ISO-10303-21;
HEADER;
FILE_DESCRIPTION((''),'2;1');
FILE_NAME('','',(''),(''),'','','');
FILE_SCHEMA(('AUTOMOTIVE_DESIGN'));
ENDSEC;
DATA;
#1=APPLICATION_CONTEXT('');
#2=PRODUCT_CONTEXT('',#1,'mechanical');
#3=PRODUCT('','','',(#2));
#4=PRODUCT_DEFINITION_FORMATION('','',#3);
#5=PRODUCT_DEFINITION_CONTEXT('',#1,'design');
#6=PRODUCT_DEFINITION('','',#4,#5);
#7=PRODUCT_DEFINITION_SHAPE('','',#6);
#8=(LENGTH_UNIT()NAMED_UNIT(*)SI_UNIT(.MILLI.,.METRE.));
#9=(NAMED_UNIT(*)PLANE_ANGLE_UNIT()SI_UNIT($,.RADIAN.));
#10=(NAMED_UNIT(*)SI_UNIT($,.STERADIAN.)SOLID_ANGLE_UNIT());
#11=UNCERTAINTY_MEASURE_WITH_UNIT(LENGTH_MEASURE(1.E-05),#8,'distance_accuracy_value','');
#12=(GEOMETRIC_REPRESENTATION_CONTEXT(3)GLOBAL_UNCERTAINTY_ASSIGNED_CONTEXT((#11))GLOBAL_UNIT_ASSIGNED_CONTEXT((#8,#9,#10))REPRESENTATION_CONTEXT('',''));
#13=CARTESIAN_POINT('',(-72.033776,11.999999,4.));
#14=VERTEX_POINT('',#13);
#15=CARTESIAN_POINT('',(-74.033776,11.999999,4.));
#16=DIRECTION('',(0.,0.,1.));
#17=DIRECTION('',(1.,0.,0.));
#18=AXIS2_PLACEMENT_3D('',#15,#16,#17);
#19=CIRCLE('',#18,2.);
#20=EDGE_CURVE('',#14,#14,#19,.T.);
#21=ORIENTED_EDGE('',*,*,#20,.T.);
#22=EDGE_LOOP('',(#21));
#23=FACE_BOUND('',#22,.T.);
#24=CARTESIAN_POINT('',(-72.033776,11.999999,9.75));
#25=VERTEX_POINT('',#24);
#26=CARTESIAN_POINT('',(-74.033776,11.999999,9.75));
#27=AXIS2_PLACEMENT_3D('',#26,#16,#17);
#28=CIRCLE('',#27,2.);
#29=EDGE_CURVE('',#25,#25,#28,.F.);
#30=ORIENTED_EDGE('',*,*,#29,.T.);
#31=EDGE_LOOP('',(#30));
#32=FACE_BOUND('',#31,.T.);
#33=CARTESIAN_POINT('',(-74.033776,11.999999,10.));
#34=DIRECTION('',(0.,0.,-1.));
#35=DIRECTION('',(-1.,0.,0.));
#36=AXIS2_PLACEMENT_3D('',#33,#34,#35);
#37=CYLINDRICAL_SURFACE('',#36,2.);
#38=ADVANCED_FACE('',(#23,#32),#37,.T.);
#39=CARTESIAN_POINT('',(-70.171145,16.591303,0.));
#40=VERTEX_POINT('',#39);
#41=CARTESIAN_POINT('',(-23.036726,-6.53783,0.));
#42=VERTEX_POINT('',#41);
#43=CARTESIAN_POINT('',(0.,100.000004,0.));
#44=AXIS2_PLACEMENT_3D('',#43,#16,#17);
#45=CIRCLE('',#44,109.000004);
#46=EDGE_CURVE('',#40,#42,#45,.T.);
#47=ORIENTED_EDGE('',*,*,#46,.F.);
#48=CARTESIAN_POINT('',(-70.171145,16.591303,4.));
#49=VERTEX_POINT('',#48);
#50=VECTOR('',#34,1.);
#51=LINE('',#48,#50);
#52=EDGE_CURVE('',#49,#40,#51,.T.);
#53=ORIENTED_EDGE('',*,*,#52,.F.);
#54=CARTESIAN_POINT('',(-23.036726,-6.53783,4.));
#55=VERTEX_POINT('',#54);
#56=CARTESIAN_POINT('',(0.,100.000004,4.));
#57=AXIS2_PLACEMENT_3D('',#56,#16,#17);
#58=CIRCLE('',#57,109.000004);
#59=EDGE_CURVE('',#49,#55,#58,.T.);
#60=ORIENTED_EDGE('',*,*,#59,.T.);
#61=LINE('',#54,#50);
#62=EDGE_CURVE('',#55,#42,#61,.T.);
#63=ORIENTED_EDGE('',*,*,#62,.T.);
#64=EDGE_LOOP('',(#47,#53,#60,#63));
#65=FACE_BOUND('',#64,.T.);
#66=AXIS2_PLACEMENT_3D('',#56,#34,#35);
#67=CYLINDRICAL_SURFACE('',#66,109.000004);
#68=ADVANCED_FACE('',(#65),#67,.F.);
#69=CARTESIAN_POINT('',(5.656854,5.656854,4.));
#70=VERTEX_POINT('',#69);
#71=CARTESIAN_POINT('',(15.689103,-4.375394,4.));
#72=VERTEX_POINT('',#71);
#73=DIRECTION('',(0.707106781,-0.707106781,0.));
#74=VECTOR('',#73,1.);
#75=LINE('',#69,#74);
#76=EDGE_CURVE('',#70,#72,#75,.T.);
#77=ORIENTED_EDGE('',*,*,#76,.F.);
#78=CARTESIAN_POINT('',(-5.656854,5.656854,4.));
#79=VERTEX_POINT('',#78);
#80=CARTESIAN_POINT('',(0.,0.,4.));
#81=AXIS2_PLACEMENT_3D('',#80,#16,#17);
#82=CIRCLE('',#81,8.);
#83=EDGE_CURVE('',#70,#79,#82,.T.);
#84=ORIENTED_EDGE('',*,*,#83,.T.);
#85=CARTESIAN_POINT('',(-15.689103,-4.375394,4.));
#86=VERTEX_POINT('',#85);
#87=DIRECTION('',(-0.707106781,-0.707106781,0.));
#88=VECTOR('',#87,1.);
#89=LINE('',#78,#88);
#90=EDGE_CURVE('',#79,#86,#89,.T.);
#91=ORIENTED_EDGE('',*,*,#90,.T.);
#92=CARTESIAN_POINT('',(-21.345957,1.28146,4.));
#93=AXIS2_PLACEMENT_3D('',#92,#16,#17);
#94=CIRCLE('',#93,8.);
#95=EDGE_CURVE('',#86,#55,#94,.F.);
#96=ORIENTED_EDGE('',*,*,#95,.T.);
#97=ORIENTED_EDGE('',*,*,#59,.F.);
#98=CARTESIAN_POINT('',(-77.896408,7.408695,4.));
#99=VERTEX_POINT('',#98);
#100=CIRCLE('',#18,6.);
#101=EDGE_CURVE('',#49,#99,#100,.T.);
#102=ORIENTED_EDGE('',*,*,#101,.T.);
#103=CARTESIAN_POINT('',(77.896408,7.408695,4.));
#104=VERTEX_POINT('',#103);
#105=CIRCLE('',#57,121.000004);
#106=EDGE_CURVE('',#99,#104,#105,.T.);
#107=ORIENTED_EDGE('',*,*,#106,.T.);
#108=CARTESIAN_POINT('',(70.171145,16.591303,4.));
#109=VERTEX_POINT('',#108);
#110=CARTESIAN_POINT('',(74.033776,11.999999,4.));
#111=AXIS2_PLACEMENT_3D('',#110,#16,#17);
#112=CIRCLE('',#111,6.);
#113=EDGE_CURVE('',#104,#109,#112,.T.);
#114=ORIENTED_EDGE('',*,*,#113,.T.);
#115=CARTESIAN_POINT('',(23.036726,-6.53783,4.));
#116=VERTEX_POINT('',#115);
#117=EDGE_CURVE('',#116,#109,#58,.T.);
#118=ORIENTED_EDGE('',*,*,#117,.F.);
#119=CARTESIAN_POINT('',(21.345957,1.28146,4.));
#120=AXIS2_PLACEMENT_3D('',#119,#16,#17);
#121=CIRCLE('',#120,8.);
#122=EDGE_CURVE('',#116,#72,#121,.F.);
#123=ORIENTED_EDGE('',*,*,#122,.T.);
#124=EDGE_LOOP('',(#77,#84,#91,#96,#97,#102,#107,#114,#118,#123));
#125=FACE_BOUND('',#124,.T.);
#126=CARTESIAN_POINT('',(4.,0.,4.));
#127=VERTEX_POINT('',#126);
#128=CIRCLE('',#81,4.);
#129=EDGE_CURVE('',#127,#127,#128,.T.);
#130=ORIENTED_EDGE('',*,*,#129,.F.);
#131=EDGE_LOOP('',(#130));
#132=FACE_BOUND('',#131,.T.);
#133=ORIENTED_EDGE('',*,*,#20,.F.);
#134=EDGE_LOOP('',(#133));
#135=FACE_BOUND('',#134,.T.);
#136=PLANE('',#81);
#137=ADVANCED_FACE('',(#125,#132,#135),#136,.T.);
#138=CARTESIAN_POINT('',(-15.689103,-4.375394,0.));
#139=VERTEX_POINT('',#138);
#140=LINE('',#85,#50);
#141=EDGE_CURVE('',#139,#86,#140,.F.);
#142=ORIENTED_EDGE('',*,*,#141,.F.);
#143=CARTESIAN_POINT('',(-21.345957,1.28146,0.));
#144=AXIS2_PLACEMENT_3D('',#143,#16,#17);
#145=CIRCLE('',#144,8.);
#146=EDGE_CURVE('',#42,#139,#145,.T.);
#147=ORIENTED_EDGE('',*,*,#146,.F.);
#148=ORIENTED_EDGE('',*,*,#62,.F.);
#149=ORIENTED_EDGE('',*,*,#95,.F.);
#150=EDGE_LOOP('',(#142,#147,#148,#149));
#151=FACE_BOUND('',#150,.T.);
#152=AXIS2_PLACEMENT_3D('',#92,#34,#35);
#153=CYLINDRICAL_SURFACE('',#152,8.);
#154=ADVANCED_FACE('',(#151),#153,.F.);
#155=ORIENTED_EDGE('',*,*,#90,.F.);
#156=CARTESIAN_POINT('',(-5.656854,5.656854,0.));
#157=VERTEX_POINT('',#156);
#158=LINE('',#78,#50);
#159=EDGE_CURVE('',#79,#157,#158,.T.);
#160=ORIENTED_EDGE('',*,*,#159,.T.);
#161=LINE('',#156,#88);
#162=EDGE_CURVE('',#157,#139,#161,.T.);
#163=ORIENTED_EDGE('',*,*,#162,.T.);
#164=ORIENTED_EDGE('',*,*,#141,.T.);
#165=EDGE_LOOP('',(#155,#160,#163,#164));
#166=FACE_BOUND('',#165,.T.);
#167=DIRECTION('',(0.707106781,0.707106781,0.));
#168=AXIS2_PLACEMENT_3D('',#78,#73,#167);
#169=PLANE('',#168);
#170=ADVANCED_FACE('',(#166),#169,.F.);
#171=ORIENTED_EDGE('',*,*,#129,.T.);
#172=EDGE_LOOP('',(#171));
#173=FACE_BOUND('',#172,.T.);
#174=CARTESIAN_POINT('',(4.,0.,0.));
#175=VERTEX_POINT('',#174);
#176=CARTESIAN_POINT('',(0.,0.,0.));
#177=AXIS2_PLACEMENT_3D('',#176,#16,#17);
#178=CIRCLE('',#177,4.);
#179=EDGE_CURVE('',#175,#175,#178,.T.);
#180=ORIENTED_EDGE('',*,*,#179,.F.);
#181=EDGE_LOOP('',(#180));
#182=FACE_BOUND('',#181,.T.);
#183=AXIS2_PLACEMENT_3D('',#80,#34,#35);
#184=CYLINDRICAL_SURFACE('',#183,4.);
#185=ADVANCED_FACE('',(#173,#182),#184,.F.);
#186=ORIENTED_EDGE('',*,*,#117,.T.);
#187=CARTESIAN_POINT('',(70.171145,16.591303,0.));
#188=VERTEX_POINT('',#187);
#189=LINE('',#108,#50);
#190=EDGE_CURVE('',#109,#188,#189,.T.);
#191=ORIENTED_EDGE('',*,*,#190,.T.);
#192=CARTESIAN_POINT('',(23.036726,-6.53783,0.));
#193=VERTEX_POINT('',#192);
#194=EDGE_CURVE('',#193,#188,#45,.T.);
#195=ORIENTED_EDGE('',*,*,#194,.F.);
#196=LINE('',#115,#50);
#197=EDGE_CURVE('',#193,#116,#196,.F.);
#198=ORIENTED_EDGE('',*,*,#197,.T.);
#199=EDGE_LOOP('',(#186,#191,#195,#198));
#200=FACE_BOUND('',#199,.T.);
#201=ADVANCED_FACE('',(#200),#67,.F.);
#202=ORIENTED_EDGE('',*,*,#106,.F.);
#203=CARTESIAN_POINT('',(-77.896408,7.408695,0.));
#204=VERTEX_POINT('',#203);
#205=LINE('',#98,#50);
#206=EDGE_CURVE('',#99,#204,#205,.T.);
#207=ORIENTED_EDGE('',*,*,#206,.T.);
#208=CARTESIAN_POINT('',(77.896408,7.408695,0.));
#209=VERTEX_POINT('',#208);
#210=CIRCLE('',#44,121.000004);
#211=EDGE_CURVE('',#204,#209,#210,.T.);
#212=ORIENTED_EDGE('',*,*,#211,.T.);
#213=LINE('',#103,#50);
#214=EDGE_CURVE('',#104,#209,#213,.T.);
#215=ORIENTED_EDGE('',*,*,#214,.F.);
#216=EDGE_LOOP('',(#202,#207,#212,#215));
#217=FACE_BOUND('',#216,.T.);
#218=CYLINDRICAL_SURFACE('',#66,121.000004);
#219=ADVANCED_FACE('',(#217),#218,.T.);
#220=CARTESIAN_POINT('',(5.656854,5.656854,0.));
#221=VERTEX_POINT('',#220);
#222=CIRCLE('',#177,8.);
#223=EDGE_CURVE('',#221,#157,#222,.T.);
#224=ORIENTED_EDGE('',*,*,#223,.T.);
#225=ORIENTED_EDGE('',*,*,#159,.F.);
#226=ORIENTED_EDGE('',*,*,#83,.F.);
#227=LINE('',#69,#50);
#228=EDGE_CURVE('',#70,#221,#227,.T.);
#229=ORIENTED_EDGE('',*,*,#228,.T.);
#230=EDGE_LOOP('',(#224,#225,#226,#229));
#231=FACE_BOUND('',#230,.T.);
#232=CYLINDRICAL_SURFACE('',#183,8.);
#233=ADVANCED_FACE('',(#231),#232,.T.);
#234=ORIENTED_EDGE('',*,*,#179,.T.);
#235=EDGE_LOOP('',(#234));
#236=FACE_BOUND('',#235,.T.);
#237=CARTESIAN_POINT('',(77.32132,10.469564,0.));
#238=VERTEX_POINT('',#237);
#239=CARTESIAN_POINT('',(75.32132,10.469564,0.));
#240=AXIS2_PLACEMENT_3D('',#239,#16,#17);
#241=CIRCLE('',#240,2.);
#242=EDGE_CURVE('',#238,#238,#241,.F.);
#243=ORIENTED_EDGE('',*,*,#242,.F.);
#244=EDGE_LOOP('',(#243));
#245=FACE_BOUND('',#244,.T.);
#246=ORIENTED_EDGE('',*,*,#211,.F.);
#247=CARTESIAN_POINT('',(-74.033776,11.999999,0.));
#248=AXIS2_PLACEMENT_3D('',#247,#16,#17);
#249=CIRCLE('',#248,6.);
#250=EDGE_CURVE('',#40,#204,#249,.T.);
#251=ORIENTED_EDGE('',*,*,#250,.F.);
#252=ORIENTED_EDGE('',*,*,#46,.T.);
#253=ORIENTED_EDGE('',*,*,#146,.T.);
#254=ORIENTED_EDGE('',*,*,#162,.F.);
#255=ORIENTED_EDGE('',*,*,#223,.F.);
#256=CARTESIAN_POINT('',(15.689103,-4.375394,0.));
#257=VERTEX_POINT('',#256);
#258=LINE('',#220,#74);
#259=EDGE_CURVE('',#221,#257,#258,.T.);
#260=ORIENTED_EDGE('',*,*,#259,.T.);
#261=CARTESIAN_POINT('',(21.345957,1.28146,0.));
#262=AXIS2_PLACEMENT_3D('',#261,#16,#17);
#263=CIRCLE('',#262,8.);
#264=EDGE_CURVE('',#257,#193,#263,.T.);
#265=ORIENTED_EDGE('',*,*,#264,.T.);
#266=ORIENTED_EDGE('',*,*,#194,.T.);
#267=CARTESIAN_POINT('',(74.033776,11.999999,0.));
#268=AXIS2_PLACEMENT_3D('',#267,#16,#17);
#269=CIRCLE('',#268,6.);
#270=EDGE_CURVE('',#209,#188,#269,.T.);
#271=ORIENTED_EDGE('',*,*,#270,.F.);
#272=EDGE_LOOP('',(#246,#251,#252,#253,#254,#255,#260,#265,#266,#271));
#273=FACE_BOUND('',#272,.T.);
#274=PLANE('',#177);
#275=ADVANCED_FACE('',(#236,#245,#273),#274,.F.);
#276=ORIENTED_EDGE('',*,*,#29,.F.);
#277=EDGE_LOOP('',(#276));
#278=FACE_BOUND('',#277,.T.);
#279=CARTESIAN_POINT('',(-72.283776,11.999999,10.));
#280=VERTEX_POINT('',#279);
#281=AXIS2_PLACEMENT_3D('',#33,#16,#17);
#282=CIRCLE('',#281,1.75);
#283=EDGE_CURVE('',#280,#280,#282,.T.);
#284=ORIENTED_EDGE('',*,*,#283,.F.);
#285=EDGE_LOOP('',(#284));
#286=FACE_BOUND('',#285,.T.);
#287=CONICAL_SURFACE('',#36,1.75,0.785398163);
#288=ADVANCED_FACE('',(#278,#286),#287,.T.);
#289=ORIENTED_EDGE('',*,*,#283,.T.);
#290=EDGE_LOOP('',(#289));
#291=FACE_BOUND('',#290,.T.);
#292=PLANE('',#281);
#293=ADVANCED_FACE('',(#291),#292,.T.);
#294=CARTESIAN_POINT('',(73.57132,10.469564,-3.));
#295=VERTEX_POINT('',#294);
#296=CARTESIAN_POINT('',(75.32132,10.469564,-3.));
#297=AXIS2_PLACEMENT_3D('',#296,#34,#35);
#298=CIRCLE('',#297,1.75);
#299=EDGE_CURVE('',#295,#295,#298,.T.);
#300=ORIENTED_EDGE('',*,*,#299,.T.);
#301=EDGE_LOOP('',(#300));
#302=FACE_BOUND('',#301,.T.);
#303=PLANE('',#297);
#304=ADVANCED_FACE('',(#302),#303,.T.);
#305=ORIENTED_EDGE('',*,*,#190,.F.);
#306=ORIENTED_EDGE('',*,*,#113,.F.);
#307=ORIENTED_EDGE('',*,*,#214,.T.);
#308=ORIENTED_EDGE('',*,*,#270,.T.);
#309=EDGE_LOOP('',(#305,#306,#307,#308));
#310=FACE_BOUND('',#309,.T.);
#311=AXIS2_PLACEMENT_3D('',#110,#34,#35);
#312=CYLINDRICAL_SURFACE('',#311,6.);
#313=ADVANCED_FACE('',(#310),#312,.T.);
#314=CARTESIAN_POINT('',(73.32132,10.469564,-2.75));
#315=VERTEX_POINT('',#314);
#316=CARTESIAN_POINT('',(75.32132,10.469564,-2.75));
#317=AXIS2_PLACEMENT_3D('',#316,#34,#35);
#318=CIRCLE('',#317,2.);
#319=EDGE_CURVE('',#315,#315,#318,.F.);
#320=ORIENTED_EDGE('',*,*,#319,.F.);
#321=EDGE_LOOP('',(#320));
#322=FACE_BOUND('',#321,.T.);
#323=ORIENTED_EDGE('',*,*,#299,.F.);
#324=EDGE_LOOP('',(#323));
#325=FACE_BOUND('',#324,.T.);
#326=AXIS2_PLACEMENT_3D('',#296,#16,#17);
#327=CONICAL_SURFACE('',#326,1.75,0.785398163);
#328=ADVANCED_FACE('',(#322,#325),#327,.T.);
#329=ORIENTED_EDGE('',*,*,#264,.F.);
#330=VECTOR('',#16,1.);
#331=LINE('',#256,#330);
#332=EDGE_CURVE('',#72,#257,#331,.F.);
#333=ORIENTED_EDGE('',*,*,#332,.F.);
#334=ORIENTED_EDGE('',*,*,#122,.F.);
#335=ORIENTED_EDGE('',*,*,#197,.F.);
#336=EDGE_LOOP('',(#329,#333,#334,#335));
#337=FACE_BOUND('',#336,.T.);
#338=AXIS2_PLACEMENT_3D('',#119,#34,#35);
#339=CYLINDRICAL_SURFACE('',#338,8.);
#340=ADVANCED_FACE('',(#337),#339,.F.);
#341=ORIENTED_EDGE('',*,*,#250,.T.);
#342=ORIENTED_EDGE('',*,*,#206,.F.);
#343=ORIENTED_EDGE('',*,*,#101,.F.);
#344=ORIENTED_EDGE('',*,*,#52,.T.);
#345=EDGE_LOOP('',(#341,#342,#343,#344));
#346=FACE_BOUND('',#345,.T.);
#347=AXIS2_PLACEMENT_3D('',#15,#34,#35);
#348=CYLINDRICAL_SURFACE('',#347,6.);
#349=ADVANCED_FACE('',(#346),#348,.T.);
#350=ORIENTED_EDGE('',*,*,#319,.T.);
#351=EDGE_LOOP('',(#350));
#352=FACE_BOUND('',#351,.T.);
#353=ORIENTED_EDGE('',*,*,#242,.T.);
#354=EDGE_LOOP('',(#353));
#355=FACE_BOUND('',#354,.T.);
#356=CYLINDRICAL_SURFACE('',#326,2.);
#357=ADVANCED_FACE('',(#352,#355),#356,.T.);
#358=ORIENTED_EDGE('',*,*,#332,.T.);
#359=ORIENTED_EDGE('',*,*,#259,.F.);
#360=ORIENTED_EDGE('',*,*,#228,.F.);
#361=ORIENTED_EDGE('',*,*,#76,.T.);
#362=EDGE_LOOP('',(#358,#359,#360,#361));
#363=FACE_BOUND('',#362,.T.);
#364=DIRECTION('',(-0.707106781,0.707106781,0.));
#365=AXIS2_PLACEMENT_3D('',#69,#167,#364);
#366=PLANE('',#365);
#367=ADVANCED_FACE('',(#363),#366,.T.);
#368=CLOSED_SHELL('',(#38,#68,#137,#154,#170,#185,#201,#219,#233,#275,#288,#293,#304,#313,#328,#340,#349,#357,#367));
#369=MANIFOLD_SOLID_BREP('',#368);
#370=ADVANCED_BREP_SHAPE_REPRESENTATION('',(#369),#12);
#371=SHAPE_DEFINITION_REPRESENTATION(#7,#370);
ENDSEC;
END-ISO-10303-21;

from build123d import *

# Parameters (mm, degrees)
SKETCH1_R           = 4
BOSS_EXTRUDE1_DEPTH = 4
SKETCH2_R           = 2
BOSS_EXTRUDE2_DEPTH = 6
CHAMFER1_SIZE       = 0.25
SKETCH3_R           = 2
BOSS_EXTRUDE3_DEPTH = 3
CHAMFER2_SIZE       = 0.25
FILLET2_R           = 8


with BuildPart() as part:
    # Sketch1 → Boss-Extrude1 (new body)
    with BuildSketch(Plane.XY):
        with BuildLine():
            ThreePointArc((5.656854249, 5.656854249), (0, 8), (-5.656854249, 5.656854249))
            Line((-5.656854249, 5.656854249), (-18.697995031, -7.384286532))
            ThreePointArc((-18.697995031, -7.384286532), (-46.023235671, 1.192804635), (-70.171144566, 16.591303421))
            ThreePointArc((-70.171144566, 16.591303421), (-78.62508069, 15.86263065), (-77.896407918, 7.408694525))
            ThreePointArc((-77.896407918, 7.408694525), (0, -21), (77.896407918, 7.408694525))
            ThreePointArc((77.896407918, 7.408694525), (78.62508069, 15.86263065), (70.171144566, 16.591303421))
            ThreePointArc((70.171144566, 16.591303421), (46.023235671, 1.192804635), (18.697995031, -7.384286532))
            Line((18.697995031, -7.384286532), (5.656854249, 5.656854249))
        make_face()
        Circle(SKETCH1_R, mode=Mode.SUBTRACT)
    extrude(amount=BOSS_EXTRUDE1_DEPTH)

    # Sketch2 → Boss-Extrude2 (add)
    with BuildSketch(Plane.XY.offset(4)):
        with Locations((-74.033776242, 11.999998973)):
            Circle(SKETCH2_R)
    extrude(amount=BOSS_EXTRUDE2_DEPTH)

    # Chamfer1
    chamfer1_edges = [part.edges().sort_by_distance(p)[0] for p in [
        (-76.033776242, 11.999998973, 10),
    ]]
    chamfer(chamfer1_edges, length=CHAMFER1_SIZE)

    # Sketch3 → Boss-Extrude3 (add)
    with BuildSketch(Plane(origin=(0, 0, 0), x_dir=(-1, 0, 0), z_dir=(0, 0, -1))):
        with Locations((-75.321320134, 10.469564157)):
            Circle(SKETCH3_R)
    extrude(amount=BOSS_EXTRUDE3_DEPTH)

    # Chamfer2
    chamfer2_edges = [part.edges().sort_by_distance(p)[0] for p in [
        (77.321320134, 10.469564157, -3),
    ]]
    chamfer(chamfer2_edges, length=CHAMFER2_SIZE)

    # Fillet2
    fillet2_edges = [part.edges().sort_by_distance(p)[0] for p in [
        (18.697995031, -7.384286532, 2),
        (-18.697995031, -7.384286532, 2),
    ]]
    fillet(fillet2_edges, radius=FILLET2_R)


solid = part.part
